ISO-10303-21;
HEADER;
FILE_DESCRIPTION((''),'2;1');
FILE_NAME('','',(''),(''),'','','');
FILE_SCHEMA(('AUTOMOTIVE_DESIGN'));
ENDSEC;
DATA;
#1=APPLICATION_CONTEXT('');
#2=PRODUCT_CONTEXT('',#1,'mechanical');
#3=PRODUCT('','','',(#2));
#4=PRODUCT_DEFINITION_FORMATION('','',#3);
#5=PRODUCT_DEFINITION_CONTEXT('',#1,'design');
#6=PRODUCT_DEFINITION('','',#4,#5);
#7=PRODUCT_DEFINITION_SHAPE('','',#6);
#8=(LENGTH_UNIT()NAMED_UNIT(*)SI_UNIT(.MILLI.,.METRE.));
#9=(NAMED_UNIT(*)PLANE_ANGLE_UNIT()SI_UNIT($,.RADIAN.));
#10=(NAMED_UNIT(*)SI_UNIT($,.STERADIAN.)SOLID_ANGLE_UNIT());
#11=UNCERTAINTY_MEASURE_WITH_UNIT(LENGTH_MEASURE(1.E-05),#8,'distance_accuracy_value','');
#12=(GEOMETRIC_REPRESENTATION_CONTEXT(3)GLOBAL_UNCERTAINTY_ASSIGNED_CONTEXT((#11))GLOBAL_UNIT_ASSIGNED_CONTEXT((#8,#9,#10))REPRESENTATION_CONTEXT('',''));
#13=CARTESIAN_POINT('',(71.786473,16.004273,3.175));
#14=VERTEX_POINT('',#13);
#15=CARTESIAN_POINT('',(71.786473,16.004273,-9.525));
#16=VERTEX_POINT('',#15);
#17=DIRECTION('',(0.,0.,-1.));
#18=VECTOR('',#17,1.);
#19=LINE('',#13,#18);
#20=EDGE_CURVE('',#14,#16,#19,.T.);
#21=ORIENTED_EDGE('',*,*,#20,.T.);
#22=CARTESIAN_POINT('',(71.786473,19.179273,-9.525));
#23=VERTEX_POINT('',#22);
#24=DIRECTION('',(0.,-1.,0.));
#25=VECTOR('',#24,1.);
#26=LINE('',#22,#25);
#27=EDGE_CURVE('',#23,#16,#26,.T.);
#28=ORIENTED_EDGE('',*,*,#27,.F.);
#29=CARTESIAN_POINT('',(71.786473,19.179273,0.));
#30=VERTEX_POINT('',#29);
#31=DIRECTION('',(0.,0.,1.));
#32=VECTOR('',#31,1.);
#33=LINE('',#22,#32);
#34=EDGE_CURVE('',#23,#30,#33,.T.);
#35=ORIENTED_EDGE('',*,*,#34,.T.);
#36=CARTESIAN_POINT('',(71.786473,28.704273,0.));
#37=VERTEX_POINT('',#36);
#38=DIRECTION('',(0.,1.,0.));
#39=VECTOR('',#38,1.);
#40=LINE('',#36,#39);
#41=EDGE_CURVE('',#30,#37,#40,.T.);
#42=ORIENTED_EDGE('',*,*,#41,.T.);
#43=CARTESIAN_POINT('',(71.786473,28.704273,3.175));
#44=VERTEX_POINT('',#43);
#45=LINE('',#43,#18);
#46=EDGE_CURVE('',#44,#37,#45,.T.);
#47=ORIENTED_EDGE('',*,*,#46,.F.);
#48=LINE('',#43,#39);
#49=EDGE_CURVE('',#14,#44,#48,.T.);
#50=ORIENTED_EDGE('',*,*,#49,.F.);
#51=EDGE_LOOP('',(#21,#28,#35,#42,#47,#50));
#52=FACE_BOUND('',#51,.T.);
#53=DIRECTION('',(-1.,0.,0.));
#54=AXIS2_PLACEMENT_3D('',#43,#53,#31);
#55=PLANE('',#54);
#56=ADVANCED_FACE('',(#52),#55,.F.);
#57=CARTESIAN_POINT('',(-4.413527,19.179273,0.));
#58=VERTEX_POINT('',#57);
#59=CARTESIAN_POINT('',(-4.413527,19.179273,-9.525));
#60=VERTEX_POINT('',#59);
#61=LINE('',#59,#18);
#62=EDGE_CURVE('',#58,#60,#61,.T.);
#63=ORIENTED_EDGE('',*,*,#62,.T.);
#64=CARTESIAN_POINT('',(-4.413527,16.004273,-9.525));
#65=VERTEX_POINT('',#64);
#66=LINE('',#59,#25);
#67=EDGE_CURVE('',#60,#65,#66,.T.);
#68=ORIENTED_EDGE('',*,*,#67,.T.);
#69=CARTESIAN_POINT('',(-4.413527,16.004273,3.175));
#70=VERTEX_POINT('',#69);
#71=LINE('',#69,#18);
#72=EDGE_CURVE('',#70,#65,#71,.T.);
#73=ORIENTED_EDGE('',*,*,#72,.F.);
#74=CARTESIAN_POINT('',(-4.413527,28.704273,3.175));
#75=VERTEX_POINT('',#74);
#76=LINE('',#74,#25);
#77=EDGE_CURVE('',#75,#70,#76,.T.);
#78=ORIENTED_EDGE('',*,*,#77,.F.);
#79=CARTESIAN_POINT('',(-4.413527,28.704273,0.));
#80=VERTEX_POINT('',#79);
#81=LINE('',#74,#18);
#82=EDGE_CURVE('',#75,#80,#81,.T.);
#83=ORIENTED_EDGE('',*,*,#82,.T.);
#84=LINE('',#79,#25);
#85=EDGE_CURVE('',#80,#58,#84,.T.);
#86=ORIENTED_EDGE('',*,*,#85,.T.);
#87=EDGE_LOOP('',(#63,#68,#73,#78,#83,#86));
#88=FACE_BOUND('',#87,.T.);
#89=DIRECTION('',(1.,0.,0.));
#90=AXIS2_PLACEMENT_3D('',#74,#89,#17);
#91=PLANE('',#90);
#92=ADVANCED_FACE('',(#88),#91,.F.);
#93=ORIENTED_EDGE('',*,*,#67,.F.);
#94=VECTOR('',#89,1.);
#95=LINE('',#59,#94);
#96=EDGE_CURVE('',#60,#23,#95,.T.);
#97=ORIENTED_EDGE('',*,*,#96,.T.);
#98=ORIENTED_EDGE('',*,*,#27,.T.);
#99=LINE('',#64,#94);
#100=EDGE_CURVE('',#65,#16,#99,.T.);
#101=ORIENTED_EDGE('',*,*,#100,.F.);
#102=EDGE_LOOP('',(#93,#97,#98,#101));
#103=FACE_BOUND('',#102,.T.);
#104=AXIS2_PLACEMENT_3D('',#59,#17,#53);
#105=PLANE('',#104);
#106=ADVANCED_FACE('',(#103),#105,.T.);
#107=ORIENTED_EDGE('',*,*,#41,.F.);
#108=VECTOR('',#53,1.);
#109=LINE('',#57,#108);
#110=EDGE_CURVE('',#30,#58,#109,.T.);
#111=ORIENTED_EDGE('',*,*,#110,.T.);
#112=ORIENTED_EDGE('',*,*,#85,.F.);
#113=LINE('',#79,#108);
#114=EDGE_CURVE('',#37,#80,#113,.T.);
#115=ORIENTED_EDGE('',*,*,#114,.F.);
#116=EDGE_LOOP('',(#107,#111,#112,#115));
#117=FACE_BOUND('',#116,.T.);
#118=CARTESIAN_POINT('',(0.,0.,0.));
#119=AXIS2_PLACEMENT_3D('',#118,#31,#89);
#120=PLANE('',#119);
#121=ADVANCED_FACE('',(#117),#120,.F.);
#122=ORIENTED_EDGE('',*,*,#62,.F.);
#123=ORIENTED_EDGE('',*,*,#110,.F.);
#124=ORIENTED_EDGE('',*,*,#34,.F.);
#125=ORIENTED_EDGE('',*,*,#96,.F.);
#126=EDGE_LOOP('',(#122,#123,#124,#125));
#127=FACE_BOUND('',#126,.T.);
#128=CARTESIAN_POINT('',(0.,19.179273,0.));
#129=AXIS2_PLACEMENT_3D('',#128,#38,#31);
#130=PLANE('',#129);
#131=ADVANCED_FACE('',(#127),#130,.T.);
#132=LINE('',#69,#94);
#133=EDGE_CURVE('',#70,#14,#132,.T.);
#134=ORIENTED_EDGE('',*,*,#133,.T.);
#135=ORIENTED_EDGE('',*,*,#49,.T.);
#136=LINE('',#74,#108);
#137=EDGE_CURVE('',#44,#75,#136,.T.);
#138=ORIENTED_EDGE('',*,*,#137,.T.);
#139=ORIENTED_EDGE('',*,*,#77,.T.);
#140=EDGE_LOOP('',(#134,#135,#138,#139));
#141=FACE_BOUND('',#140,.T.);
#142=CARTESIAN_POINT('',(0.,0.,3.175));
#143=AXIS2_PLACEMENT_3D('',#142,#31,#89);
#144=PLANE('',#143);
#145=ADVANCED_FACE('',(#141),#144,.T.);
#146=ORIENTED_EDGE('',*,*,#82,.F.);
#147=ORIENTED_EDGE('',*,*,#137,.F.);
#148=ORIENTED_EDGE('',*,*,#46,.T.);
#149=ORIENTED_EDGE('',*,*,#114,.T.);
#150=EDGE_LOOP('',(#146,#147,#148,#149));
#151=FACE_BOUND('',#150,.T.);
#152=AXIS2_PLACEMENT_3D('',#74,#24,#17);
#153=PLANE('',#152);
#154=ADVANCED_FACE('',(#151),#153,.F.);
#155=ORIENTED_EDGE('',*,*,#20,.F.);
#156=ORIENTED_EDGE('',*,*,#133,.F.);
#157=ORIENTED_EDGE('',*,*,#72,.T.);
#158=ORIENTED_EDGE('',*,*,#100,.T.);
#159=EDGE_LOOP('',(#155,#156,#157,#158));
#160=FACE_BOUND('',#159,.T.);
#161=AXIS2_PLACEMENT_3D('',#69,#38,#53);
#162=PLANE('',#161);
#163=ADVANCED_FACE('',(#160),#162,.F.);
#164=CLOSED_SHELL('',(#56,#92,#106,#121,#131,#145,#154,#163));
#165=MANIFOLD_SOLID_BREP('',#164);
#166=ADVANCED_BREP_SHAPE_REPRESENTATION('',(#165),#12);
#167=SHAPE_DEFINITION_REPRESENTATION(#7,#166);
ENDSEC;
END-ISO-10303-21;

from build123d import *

# Parameters (mm, degrees)
SKETCH1_W           = 76.2
SKETCH1_H           = 12.7
BOSS_EXTRUDE1_DEPTH = 3.175
SKETCH7_W           = 76.2
SKETCH7_H           = 9.525
BOSS_EXTRUDE2_DEPTH = 3.175


with BuildPart() as part:
    # Sketch1 → Boss-Extrude1 (new body)
    with BuildSketch(Plane.XY):
        with Locations((33.686472643, 22.354273404)):
            Rectangle(SKETCH1_W, SKETCH1_H)
    extrude(amount=BOSS_EXTRUDE1_DEPTH)

    # Sketch7 → Boss-Extrude2 (add)
    with BuildSketch(Plane(origin=(0, 16.004273404, 0), x_dir=(-1, 0, 0), z_dir=(0, -1, 0))):
        with Locations((-33.686472643, 4.7625)):
            Rectangle(SKETCH7_W, SKETCH7_H)
    extrude(amount=-BOSS_EXTRUDE2_DEPTH)


solid = part.part
